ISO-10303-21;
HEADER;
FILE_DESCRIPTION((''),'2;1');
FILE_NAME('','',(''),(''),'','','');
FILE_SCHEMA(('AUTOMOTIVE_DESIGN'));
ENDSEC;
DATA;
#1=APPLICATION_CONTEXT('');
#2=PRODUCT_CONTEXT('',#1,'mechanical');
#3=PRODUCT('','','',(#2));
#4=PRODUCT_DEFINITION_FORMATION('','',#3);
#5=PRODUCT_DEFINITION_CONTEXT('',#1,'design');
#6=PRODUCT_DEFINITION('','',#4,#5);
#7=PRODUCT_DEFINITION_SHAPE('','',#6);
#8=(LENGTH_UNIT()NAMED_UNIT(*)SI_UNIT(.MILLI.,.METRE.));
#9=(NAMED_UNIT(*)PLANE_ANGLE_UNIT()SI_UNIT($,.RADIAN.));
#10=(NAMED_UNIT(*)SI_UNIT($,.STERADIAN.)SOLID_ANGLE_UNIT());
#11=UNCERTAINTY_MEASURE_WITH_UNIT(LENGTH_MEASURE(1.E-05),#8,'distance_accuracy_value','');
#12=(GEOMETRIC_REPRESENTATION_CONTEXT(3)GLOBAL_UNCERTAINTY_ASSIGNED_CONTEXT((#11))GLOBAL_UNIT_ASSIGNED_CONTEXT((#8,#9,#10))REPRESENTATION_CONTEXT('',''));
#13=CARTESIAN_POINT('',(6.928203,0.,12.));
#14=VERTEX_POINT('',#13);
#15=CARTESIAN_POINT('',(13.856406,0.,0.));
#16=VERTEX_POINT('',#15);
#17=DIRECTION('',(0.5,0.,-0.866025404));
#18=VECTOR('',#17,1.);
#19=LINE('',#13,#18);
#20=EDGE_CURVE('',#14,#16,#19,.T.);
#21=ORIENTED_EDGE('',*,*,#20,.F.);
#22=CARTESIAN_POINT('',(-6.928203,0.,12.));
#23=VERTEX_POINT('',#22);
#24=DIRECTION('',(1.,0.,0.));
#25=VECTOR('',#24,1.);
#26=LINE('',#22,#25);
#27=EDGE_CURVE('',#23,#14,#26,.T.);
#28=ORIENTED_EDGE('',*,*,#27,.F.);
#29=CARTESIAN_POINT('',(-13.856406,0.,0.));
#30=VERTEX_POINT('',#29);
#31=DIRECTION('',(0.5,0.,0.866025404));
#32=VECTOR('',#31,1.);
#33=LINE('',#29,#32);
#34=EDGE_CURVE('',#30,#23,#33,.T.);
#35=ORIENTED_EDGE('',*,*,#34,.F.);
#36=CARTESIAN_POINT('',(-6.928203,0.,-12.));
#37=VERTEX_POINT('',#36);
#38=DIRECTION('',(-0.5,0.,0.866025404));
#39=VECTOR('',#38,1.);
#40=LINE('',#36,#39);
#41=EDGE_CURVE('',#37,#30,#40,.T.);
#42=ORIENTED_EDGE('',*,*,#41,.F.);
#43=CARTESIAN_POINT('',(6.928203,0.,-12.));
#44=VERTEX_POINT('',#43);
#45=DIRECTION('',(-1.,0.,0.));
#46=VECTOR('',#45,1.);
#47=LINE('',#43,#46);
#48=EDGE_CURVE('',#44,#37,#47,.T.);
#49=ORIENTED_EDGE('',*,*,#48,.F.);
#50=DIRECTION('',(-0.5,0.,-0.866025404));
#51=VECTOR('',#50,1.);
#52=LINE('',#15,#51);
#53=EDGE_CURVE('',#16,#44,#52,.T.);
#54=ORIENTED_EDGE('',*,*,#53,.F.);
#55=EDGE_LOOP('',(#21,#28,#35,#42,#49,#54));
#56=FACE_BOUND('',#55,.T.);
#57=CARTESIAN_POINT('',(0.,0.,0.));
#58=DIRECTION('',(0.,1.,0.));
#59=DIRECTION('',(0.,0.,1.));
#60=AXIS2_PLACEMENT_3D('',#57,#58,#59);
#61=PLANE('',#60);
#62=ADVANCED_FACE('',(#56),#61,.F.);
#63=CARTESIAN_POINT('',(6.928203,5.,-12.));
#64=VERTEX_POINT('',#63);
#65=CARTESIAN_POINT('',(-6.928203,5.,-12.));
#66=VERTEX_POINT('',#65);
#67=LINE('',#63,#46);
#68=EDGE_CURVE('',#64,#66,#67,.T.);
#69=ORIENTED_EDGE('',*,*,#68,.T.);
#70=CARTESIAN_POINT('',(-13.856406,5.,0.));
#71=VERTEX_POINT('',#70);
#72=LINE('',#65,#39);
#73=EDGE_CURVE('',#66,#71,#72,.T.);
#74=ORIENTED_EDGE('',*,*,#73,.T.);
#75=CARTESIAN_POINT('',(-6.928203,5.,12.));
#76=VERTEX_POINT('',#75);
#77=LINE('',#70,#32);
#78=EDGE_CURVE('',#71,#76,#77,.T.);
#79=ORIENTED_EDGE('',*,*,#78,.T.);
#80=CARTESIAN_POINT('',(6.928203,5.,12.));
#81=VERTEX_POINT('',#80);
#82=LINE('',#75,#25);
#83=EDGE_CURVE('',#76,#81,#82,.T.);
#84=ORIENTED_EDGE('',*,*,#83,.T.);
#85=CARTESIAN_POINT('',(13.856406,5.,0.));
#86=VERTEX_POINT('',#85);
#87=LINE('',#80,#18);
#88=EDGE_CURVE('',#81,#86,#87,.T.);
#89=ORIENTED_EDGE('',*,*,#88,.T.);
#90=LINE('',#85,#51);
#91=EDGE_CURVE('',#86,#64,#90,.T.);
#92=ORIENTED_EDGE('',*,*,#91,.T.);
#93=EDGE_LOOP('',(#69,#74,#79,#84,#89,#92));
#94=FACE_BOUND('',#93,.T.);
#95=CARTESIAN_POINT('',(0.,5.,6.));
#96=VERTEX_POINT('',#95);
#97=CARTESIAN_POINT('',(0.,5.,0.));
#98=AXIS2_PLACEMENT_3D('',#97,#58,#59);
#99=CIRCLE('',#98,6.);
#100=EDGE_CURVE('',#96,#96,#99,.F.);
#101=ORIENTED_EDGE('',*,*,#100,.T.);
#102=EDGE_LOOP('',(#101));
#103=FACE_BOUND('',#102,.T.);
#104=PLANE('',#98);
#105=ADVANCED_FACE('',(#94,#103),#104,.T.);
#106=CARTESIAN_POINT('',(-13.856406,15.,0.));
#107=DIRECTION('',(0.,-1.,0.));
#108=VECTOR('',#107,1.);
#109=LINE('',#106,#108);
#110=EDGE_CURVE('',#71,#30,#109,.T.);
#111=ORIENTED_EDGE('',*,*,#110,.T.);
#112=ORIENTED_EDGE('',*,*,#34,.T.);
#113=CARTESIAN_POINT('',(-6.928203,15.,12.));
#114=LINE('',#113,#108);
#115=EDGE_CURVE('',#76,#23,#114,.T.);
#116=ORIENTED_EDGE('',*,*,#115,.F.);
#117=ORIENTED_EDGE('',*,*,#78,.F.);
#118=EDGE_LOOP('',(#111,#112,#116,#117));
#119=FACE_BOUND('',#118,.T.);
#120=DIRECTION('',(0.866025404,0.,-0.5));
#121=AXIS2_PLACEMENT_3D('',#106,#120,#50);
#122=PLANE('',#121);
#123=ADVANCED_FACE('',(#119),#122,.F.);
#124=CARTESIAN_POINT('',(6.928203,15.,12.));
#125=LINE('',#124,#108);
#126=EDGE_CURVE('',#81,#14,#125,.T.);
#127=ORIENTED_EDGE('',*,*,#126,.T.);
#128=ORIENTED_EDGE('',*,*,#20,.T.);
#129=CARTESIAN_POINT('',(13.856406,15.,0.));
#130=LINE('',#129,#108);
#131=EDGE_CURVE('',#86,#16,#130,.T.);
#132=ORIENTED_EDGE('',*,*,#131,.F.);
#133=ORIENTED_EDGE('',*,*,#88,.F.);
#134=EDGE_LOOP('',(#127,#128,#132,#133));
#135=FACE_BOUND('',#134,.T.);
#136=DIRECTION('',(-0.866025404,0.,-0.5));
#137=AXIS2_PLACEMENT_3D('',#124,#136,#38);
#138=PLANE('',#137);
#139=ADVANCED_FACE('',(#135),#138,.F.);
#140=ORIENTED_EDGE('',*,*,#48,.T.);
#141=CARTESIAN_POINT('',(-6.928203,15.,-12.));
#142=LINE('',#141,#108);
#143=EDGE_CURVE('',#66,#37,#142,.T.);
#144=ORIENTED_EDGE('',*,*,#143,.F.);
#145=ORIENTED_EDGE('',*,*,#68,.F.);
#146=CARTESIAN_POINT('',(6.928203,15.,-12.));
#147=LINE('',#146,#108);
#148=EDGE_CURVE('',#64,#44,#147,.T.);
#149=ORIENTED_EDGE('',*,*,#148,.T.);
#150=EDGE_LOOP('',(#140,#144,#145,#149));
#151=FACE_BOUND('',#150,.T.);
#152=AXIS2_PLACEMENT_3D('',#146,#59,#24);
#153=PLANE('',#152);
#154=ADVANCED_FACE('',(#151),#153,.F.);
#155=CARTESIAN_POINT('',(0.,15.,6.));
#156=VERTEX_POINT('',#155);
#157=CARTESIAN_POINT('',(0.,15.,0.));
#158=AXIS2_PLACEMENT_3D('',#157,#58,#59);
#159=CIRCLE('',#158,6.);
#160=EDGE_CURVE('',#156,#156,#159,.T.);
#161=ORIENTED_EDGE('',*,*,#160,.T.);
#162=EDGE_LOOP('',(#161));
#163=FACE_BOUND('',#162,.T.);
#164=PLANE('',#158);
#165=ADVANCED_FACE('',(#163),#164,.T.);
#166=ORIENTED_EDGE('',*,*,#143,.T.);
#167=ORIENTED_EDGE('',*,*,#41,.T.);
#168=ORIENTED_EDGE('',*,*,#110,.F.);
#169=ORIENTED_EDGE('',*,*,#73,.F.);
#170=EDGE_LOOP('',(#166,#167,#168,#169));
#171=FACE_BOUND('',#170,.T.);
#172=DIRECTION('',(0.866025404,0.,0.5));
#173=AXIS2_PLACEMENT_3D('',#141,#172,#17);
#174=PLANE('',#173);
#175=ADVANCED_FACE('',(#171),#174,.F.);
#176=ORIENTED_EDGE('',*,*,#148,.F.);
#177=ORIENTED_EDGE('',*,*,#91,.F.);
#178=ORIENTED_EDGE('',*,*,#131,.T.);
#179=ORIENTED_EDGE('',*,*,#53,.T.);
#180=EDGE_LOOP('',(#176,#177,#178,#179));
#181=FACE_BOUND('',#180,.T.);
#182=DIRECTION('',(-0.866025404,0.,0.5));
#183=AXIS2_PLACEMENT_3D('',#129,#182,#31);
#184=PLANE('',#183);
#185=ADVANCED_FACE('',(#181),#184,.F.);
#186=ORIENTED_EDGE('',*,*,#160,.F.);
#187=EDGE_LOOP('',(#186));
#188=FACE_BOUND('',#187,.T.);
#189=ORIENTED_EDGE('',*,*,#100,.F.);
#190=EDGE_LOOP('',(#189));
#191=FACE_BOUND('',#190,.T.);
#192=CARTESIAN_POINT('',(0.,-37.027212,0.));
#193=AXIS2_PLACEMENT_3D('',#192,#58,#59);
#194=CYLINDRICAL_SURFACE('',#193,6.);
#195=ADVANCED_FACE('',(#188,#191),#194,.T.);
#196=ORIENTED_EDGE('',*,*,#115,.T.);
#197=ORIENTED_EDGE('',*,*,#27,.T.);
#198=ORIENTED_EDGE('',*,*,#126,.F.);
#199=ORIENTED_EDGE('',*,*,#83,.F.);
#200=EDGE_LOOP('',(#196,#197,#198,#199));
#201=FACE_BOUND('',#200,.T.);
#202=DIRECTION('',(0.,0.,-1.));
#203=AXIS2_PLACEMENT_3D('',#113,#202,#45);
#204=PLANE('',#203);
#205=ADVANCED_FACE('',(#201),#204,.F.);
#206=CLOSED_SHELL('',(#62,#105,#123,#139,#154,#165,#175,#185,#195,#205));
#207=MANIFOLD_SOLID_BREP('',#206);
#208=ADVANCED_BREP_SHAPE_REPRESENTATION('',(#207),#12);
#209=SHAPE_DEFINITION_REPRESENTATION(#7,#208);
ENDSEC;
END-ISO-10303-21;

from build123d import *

# Parameters (mm, degrees)
EXTRUDE_1_DEPTH     = 15
SKETCH_2_OUTSIDE_W  = 37.634
SKETCH_2_OUTSIDE_H  = 33.922
SKETCH_2_OUTSIDE_R  = 6
CUT_EXTRUDE_1_DEPTH = 10


with BuildPart() as part:
    # Эскиз1 → Бобышка-Вытянуть1 (new body)
    with BuildSketch(Plane(origin=(0, 0, 0), x_dir=(1, 0, 0), z_dir=(0, 1, 0))):
        Polygon((13.856406461, 0), (6.92820323, 12), (-6.92820323, 12), (-13.856406461, 0), (-6.92820323, -12), (6.92820323, -12), align=None)
    extrude(amount=EXTRUDE_1_DEPTH)

    # Эскиз2 outside → Вырез-Вытянуть1 (cut)
    with BuildSketch(Plane(origin=(0, 15, 0), x_dir=(1, 0, 0), z_dir=(0, 1, 0))):
        Rectangle(SKETCH_2_OUTSIDE_W, SKETCH_2_OUTSIDE_H)
        with Locations(Location((0, 0, 0), (0, 0, 270))):
            Circle(SKETCH_2_OUTSIDE_R, mode=Mode.SUBTRACT)
    extrude(amount=-CUT_EXTRUDE_1_DEPTH, mode=Mode.SUBTRACT)


solid = part.part
